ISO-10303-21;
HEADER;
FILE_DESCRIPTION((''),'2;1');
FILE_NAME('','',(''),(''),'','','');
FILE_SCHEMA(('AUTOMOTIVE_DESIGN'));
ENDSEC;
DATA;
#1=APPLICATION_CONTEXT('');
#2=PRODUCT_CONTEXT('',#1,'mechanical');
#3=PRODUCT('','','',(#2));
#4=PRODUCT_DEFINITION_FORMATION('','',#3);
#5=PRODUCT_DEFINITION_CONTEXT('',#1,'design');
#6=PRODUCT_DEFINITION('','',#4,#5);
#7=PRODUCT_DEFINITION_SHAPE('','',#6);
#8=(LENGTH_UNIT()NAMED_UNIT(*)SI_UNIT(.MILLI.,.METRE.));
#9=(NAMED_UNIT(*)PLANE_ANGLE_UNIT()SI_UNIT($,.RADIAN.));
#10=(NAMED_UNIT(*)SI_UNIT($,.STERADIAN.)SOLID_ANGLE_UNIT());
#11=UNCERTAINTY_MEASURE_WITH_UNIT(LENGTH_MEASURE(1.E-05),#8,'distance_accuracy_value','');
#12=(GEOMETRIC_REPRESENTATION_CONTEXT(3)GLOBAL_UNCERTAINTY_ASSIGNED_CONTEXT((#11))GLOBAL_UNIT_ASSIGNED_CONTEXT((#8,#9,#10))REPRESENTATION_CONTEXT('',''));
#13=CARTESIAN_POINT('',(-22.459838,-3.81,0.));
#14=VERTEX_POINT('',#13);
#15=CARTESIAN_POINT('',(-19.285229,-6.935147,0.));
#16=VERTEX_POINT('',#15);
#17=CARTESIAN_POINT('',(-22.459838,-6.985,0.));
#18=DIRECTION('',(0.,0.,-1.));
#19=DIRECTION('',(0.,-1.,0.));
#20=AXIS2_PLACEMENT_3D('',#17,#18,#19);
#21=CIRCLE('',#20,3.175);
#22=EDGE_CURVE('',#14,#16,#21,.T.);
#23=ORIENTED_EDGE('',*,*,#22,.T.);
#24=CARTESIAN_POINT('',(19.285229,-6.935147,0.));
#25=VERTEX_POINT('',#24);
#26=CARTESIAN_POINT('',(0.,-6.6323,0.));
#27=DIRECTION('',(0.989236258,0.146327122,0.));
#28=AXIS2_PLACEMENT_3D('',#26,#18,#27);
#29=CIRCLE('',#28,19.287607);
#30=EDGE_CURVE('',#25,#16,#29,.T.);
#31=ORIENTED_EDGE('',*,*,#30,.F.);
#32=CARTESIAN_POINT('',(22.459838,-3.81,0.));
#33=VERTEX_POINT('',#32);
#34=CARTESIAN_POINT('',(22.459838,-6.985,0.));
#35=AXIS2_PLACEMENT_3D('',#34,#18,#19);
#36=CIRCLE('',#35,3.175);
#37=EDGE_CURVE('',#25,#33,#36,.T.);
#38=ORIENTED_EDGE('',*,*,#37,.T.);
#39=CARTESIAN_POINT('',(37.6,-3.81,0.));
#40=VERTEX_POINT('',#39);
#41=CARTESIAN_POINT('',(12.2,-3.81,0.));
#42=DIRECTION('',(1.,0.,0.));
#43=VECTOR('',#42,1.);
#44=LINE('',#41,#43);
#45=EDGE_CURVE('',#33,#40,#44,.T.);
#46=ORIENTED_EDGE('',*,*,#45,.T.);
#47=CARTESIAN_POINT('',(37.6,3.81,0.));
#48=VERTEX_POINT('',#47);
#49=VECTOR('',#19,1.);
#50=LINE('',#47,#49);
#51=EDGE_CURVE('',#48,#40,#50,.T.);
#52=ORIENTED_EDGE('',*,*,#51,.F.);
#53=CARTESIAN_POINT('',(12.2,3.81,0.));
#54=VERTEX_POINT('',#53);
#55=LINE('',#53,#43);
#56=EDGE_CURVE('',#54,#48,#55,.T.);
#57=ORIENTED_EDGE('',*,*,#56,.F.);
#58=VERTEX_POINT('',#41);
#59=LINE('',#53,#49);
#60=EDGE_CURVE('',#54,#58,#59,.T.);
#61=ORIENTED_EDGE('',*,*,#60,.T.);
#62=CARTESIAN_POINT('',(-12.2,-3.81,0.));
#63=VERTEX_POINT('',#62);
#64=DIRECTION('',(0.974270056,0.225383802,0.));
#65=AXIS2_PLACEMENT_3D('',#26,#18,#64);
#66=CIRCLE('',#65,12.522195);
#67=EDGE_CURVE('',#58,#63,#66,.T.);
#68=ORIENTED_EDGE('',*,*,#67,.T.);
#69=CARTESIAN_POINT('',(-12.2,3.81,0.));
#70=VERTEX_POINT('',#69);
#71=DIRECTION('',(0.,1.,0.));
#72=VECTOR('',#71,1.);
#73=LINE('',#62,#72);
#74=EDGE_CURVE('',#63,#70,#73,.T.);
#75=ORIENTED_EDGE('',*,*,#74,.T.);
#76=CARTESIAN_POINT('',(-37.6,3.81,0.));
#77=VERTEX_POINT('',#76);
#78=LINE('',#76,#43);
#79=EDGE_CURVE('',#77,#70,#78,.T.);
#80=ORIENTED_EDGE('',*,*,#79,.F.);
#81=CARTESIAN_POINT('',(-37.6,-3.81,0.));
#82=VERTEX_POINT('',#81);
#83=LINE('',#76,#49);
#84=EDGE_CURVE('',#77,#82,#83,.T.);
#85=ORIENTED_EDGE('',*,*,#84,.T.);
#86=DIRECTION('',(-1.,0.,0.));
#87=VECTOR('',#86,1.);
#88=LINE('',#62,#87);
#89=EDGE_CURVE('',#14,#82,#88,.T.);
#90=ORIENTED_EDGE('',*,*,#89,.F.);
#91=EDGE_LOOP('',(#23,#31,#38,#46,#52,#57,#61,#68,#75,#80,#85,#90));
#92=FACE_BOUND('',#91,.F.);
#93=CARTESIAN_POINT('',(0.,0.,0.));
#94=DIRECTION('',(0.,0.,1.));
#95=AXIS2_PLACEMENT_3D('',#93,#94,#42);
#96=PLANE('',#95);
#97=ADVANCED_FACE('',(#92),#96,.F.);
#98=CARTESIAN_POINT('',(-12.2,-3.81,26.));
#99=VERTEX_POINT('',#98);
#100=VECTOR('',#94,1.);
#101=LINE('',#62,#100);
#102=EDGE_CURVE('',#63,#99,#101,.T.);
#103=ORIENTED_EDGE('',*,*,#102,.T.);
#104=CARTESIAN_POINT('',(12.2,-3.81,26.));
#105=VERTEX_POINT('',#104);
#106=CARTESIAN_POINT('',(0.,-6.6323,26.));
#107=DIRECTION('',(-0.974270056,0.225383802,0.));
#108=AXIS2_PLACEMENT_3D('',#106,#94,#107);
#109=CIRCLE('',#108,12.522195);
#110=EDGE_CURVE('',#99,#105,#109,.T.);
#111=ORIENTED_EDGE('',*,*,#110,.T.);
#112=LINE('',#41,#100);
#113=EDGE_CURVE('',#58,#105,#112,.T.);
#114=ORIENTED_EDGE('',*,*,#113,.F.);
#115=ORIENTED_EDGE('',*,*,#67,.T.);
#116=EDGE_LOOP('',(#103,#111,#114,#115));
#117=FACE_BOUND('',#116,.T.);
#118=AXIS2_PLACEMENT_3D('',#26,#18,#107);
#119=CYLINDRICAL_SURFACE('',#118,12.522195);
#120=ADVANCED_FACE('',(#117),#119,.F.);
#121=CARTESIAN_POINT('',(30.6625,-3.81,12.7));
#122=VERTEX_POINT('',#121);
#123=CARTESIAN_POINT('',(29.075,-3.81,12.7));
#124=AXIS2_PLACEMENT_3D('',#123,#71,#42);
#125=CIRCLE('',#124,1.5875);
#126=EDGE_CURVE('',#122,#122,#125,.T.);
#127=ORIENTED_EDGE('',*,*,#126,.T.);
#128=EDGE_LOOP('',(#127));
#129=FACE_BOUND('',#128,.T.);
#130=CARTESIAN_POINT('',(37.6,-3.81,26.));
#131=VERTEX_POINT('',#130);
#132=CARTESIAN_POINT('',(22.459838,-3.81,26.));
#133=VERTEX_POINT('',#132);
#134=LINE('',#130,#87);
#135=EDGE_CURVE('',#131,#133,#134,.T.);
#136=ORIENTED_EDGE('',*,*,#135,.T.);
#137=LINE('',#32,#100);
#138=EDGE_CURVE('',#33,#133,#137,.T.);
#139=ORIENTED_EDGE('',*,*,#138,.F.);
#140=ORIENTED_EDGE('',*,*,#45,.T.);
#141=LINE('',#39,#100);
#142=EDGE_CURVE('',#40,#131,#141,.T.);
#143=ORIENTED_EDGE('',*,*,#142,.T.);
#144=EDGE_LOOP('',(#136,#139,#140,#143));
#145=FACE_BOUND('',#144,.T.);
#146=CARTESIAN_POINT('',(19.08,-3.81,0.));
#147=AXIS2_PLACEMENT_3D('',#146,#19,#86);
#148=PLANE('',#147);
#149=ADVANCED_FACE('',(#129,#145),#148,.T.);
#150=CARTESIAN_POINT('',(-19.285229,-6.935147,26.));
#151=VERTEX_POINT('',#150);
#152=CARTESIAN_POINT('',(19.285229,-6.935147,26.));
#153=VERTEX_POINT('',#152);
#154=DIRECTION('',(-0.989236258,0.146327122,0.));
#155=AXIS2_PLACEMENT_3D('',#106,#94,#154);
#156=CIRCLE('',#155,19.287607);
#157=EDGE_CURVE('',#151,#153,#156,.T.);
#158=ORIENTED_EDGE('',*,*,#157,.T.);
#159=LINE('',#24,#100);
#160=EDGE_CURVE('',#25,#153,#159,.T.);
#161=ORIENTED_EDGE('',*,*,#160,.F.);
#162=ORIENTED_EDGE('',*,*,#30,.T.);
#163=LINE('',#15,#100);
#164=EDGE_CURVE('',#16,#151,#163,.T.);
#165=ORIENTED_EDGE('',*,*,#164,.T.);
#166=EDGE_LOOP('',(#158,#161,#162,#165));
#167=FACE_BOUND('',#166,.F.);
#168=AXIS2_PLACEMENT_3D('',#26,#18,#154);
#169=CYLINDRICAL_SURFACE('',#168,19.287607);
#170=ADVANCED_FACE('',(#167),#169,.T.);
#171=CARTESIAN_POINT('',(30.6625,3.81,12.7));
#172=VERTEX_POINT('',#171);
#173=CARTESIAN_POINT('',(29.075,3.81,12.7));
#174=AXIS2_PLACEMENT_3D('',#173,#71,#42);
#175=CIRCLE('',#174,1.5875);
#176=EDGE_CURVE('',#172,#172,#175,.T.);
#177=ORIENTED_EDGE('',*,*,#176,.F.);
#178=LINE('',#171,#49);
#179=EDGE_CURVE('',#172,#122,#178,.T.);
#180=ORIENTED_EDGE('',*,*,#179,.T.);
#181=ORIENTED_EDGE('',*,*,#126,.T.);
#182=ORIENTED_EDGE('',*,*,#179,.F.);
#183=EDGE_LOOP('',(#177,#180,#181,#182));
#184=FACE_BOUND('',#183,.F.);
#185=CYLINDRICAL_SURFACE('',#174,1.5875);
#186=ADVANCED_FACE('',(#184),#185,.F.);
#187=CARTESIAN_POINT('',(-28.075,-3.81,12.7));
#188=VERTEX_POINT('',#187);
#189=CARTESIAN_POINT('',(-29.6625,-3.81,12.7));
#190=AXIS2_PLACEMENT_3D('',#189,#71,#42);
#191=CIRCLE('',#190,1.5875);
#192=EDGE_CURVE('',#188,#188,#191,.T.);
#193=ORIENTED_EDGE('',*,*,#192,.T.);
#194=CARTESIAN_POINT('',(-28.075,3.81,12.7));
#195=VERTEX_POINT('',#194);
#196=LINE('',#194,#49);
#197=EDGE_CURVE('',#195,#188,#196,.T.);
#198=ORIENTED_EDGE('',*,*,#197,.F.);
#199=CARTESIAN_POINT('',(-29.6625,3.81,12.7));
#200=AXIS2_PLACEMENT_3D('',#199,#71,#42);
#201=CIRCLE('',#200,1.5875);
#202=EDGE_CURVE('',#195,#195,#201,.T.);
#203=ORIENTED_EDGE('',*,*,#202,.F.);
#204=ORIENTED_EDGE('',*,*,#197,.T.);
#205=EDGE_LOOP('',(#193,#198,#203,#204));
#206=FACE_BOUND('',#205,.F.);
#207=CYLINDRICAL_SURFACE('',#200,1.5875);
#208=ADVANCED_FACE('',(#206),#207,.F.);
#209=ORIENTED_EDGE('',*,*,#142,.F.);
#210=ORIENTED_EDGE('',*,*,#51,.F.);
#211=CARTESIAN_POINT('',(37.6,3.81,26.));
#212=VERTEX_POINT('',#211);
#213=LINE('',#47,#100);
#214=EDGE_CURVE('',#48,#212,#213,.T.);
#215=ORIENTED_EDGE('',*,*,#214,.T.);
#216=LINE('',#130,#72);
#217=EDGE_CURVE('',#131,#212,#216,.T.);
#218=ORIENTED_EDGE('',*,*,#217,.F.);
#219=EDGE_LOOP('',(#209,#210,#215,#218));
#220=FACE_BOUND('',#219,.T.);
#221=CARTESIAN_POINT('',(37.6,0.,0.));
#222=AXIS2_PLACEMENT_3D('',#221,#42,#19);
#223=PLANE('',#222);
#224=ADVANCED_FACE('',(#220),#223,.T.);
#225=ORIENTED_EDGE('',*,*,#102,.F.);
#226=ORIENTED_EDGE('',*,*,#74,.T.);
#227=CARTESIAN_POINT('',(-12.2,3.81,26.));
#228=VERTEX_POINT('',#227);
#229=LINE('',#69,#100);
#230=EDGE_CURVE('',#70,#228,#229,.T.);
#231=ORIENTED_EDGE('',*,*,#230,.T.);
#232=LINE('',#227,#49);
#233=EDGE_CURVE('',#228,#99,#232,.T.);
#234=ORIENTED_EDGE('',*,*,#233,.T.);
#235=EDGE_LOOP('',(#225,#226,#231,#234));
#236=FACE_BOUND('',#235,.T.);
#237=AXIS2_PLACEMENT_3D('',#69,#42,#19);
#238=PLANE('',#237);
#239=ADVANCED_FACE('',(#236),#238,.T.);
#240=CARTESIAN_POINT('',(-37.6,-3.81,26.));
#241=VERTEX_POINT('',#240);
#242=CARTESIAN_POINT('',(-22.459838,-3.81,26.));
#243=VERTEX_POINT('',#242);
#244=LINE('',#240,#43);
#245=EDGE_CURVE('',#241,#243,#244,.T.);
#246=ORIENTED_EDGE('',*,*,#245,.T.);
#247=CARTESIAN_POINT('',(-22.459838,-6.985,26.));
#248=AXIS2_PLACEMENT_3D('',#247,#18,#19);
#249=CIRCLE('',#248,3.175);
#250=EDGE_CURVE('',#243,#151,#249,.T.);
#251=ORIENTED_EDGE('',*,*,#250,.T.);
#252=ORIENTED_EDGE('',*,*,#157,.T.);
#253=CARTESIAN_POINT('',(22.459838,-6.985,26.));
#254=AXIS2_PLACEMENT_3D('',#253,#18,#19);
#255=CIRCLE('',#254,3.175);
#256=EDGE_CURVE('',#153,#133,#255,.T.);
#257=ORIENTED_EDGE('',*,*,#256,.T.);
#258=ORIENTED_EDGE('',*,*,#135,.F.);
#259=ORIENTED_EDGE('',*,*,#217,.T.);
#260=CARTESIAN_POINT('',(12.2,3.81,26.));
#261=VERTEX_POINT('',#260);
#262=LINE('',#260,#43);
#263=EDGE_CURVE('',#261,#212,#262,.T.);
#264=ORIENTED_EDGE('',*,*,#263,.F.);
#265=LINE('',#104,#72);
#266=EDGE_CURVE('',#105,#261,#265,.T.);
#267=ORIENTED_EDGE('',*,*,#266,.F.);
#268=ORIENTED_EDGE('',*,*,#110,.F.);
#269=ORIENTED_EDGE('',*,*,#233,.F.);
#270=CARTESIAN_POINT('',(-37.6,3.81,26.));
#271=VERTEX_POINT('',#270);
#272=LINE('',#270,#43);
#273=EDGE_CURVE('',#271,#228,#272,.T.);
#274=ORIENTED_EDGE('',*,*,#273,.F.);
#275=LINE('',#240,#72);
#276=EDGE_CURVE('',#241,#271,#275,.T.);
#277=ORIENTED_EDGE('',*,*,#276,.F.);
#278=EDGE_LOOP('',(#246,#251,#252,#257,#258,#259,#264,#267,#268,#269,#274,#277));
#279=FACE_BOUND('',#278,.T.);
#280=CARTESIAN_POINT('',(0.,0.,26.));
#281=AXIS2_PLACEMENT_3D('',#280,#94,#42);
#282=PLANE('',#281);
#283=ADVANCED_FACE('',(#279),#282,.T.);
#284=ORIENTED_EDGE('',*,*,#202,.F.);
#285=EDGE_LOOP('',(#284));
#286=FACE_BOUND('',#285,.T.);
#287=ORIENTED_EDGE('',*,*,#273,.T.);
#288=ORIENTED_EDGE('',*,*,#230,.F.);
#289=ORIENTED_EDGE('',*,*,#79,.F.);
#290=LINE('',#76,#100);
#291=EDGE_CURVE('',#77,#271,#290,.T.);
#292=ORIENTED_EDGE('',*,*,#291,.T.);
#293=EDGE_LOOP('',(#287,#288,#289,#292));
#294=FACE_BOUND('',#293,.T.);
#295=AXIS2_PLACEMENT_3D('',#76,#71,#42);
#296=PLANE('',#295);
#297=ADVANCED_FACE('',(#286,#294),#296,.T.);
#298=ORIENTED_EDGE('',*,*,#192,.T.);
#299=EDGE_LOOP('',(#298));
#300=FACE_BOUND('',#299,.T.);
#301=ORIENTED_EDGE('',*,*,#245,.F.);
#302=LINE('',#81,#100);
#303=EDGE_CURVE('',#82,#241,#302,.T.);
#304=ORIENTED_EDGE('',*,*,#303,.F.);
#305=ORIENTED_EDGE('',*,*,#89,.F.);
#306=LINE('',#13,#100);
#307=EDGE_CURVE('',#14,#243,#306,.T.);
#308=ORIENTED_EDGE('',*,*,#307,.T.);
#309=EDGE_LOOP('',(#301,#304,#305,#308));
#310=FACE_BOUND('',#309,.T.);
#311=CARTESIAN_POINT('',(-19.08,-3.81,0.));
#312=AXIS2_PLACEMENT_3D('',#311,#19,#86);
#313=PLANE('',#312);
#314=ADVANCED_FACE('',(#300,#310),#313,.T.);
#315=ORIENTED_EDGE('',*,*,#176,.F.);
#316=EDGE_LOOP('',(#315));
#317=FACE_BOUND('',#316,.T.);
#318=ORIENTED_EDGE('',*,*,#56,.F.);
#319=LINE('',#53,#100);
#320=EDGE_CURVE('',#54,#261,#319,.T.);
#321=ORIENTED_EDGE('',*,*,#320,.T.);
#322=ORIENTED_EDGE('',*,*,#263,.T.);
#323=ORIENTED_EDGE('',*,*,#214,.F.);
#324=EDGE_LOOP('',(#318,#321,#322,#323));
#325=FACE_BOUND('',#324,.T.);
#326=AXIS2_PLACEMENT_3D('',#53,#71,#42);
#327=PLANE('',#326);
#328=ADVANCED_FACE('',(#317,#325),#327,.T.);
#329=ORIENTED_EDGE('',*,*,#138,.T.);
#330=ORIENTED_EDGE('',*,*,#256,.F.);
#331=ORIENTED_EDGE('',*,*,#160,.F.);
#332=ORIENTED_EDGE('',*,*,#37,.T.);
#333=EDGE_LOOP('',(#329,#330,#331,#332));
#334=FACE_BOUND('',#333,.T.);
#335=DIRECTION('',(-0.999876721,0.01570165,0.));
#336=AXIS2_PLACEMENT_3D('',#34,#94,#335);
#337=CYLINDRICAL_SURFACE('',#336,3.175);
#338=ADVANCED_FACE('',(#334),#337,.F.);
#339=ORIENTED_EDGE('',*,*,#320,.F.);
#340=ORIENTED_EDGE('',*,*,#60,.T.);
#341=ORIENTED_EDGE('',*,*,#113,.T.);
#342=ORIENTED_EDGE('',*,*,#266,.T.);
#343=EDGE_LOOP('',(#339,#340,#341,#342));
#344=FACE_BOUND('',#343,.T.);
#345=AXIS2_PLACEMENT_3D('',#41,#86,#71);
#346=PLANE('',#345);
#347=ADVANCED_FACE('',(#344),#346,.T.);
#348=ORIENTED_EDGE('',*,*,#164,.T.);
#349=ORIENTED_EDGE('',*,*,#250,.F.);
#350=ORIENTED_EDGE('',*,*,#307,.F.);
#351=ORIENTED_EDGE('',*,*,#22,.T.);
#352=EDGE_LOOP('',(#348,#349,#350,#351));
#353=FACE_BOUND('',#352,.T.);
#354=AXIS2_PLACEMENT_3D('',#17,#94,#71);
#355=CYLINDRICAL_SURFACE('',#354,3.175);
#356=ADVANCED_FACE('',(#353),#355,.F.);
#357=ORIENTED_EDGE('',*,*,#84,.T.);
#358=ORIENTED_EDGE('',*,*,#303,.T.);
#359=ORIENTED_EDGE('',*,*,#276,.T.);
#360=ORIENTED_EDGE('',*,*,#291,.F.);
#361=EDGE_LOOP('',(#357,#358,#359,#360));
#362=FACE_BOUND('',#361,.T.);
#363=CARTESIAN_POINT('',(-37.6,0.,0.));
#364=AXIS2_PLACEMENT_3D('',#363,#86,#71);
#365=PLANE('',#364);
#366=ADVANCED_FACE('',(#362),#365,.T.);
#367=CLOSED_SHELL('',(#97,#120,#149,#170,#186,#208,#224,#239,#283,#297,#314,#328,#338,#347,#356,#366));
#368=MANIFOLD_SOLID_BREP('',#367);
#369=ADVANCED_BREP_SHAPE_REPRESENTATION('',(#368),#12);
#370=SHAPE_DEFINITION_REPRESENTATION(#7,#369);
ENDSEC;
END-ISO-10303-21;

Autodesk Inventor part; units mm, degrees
ref_plane "YZ Plane" through (0, 0, 0) normal (1, 0, 0) x (0, 1, 0)
ref_plane "XZ Plane" through (0, 0, 0) normal (0, 1, 0) x (-1, 0, 0)
ref_plane "XY Plane" through (0, 0, 0) normal (0, 0, 1) x (1, 0, 0)
sketch "Sketch1" plane through (0, 0, 0) normal (0, 0, 1) x (1, 0, 0)
  line L0 (-37.6, 3.81) -> (-12.2, 3.81)
  line L1 (-12.2, 3.81) -> (-12.2, -3.81)
  line L2 (-12.2, -3.81) -> (-37.6, -3.81)
  line L3 (-37.6, -3.81) -> (-37.6, 3.81)
  line L4 (-52.64, 0) -> (52.64, 0) projected
  line L5 (0, -32.0572) -> (0, 10.9036) projected
  line L6 (12.2, 3.81) -> (37.6, 3.81)
  line L7 (37.6, 3.81) -> (37.6, -3.81)
  line L8 (37.6, -3.81) -> (12.2, -3.81)
  line L9 (12.2, -3.81) -> (12.2, 3.81)
  line L10 (-9.3568, 0) -> (3.5049, 0)
  arc A0 (-12.2, -3.81) -> (12.2, -3.81) centre (0, -6.6323) ccw
  arc A1 (-19.08, -3.81) -> (19.08, -3.81) centre (0, -6.6323) ccw
  point P0 (0, 0)
  dimension "d0" = 7.62
  dimension "d2" = 7.62
  dimension "d19" = 25.4
  dimension "d20" = 25.4
  dimension "d31" = 24.4
  dimension "d32" = 12.5222
extrude "Extrusion3" add sketch "Sketch1" along normal blind 26 contours L0 L1 L4 L3 | L4 L1 L2 L3 | L9 L4 L7 L8 | L9 L6 L7 L4
extrude "Extrusion6" add sketch "Sketch1" along normal blind 26 contours A0 L5 A1 L2 | A0 L8 A1 L5
sketch "Sketch5" plane through (-37.6, 3.81, 0) normal (0, 1, 0) x (1, 0, 0)
  circle A0 centre (7.9375, -12.7) radius 1.5875
  circle A1 centre (66.675, -12.7) radius 1.5875
  point P0 (37.6, 0)
extrude "Extrusion8" cut sketch "Sketch5" against normal blind 10.16
sketch "Sketch6" plane through (0, 0, 0) normal (0, 0, -1) x (-1, 0, 0)
  circle A0 centre (0.0788, -7.3494) radius 12.1158
  dimension "d33" = 24.2316
fillet "Fillet4" radius 3.175 2 edges at (-19.08, -3.81, 13) (19.08, -3.81, 13)
equation "\"d2\" = d0"
properties part number "motor mounts"
